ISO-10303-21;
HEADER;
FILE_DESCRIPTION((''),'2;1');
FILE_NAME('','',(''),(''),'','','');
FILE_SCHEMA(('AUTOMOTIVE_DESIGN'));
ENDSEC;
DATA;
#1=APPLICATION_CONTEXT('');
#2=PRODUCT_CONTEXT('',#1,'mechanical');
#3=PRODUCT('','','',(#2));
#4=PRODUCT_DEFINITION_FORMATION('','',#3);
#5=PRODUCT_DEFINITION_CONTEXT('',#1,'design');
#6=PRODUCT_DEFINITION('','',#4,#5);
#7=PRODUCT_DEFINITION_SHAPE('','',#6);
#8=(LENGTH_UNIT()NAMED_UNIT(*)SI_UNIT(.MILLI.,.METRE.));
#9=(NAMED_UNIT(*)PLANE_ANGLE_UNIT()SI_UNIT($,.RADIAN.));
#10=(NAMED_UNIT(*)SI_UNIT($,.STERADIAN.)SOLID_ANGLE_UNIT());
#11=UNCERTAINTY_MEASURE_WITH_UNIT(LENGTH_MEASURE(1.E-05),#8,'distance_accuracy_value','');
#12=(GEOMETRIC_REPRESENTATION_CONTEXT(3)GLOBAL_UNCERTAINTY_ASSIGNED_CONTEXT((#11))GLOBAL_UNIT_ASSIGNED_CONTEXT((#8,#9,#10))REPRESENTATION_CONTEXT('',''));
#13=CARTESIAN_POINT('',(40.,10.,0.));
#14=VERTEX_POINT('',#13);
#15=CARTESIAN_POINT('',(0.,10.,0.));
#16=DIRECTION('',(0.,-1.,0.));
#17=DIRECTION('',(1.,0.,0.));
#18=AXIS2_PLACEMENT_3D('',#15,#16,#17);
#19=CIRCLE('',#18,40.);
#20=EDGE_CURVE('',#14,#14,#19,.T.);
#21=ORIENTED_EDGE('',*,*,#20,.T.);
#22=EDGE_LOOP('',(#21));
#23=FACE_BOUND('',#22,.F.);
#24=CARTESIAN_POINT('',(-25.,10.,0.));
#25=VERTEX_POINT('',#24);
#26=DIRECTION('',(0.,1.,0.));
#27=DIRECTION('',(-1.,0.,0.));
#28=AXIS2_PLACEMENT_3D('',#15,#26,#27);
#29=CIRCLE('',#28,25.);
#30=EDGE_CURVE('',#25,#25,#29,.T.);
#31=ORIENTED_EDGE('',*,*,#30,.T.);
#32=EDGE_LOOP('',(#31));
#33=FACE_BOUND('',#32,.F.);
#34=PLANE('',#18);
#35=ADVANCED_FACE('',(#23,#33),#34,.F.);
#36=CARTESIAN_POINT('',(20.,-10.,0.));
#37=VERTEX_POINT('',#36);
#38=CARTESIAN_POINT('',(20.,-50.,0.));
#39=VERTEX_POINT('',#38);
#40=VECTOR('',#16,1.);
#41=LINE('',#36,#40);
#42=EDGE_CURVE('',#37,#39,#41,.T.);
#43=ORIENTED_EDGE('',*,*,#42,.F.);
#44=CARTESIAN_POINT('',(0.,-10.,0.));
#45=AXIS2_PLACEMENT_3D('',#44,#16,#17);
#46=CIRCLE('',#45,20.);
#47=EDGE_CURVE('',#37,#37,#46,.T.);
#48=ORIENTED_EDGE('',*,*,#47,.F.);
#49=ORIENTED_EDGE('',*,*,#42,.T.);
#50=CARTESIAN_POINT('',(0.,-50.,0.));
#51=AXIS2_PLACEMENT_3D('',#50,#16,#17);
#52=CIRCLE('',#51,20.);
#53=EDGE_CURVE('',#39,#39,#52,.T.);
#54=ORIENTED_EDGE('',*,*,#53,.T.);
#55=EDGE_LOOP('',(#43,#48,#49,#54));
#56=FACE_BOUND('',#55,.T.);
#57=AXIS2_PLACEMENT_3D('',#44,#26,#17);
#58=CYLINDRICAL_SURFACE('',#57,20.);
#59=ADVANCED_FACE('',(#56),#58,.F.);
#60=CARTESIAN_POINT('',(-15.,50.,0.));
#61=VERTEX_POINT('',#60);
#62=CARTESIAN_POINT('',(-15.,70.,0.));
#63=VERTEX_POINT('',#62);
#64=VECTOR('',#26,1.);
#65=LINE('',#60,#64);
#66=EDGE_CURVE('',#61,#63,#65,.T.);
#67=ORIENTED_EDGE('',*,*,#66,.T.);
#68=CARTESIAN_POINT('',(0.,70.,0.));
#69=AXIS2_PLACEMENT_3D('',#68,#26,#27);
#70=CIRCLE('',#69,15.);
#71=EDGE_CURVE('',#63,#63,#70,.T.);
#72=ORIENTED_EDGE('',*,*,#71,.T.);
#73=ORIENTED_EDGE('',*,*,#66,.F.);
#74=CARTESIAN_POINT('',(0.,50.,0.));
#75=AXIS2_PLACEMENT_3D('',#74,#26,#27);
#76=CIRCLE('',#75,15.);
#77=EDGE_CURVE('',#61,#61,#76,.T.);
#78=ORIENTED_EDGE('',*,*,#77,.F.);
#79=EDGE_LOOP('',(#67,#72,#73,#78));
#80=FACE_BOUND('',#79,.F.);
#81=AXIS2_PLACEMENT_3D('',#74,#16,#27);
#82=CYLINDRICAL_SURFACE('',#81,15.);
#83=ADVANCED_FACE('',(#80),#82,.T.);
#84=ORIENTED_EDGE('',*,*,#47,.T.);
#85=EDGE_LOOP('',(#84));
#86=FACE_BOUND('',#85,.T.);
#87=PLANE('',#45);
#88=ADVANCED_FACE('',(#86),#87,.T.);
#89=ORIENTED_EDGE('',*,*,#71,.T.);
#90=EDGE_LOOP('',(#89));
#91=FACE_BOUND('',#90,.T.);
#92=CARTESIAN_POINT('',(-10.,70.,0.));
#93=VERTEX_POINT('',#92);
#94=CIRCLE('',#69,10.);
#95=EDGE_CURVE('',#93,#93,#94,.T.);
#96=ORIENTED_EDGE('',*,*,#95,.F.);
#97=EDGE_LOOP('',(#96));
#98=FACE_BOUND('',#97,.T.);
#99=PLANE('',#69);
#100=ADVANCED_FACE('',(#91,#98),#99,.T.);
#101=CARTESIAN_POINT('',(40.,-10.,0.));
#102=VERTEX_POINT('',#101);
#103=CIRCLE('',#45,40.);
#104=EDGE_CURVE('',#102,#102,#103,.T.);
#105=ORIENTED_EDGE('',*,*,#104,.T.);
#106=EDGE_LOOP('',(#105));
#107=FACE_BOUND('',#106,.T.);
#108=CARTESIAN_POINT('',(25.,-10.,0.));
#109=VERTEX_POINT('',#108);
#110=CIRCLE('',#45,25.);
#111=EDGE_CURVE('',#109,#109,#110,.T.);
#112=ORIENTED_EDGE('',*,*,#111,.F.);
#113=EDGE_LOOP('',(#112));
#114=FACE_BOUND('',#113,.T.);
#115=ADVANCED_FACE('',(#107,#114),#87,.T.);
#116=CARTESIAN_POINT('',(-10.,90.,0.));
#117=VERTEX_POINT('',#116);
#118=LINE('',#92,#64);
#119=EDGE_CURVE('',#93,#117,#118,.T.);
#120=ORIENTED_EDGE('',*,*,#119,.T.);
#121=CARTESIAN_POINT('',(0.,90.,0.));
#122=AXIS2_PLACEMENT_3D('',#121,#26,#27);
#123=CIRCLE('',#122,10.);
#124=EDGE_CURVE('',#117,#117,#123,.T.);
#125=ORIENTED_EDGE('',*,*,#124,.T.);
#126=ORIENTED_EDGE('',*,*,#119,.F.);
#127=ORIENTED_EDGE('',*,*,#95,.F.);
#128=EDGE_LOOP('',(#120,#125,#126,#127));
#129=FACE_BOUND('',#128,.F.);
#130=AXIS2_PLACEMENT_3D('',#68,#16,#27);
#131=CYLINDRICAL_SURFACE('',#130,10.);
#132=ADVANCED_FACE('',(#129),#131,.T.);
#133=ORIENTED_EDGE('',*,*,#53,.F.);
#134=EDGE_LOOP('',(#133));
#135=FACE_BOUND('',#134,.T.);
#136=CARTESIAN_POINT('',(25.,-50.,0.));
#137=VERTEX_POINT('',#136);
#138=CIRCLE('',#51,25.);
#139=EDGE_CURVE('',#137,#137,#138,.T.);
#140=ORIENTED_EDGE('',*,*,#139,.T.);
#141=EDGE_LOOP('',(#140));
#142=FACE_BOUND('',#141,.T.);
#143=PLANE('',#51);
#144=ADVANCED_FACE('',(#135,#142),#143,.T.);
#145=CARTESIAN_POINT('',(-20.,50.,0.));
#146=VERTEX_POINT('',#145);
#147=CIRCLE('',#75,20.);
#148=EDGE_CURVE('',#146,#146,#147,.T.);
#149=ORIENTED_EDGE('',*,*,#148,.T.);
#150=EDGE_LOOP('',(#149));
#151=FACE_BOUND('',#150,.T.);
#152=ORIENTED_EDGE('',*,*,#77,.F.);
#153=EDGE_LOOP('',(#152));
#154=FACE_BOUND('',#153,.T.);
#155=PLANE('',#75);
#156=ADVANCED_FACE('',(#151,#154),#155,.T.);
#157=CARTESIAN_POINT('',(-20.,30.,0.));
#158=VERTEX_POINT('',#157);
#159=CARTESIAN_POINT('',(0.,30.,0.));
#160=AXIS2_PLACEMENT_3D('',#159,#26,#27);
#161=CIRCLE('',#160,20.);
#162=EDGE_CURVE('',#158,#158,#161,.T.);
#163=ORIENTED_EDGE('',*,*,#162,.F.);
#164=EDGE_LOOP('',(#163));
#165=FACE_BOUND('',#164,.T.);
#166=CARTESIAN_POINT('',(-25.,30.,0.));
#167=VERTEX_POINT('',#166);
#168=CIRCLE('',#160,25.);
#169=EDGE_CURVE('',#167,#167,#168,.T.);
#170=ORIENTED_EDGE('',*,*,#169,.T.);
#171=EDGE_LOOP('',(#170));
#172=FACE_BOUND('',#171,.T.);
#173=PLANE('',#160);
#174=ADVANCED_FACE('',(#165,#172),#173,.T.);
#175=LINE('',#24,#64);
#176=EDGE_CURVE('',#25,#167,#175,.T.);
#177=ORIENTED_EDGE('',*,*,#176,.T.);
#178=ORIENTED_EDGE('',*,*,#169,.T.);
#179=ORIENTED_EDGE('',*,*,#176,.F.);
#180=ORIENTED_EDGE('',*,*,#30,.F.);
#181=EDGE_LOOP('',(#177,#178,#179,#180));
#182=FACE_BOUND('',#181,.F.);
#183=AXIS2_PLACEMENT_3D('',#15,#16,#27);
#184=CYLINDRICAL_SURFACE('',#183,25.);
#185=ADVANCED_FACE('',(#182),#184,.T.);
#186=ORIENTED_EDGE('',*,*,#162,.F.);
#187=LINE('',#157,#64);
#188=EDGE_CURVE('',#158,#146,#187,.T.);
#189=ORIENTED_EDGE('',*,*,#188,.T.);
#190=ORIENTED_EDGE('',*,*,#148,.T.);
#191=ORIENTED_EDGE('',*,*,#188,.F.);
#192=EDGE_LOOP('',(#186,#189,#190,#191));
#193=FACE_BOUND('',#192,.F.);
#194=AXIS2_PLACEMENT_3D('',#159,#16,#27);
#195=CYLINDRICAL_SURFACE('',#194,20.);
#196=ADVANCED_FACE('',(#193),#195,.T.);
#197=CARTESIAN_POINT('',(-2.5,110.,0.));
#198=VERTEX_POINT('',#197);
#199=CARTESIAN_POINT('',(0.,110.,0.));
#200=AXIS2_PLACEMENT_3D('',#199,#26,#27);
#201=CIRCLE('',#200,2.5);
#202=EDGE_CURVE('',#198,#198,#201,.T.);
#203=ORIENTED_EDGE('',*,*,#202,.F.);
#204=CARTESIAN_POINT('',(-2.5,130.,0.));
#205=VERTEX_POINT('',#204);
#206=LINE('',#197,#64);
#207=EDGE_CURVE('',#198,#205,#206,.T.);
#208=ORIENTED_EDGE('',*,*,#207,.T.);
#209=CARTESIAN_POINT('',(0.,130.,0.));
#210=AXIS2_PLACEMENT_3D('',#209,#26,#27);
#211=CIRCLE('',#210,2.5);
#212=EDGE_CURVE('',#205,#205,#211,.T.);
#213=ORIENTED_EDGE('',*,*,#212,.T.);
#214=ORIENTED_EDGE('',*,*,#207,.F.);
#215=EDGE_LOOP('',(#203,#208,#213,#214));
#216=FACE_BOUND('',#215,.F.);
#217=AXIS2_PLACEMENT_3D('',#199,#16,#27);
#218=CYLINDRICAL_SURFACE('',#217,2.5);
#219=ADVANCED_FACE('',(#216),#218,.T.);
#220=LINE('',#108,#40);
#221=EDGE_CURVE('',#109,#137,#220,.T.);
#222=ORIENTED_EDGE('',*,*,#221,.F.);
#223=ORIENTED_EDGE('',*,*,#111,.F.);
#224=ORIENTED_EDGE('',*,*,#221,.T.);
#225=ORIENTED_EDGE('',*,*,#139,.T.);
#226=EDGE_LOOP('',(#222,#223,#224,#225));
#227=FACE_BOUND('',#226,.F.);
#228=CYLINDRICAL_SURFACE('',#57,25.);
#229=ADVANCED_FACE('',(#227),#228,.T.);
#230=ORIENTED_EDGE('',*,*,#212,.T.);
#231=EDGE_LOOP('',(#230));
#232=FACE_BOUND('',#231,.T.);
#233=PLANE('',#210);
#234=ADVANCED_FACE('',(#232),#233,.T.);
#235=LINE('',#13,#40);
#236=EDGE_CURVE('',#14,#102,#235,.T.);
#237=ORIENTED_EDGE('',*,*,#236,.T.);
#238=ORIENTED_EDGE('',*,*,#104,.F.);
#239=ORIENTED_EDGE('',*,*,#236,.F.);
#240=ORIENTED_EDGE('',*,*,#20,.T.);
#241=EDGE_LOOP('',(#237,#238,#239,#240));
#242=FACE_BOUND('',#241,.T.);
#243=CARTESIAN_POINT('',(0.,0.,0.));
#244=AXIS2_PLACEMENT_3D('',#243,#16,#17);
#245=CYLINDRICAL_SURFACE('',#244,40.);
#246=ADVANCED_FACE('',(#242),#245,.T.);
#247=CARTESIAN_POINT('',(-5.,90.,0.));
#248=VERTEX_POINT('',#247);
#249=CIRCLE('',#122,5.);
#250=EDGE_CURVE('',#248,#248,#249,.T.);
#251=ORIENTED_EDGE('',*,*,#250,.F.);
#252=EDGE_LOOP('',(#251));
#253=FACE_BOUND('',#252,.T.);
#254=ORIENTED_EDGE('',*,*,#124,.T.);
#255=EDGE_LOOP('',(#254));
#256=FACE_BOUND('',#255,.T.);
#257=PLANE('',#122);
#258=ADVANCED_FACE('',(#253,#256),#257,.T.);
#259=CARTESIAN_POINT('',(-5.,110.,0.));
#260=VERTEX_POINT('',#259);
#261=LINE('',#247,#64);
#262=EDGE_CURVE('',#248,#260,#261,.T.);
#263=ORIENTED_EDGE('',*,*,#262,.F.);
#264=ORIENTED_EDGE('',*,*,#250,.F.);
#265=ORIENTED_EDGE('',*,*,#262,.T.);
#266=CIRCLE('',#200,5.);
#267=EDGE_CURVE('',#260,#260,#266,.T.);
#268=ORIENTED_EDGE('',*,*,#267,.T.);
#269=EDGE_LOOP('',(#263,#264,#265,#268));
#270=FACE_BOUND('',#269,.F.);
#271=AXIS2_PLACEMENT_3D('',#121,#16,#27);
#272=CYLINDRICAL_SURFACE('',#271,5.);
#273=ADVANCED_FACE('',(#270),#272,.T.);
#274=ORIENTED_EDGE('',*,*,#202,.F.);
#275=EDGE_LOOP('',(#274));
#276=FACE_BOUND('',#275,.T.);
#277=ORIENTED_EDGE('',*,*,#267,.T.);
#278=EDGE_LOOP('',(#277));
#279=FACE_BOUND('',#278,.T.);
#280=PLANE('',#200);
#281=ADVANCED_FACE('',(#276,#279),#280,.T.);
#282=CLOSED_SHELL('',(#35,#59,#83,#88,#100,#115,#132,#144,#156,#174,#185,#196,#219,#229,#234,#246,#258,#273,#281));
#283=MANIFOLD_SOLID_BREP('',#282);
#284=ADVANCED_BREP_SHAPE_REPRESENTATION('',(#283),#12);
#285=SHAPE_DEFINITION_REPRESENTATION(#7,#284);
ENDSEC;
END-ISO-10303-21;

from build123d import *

# Parameters (mm, degrees)
F0_R      = 40
F1_DEPTH  = 10
F2_R      = 25
F3_DEPTH  = 20
F4_R      = 20
F5_DEPTH  = 20
F6_R      = 15
F7_DEPTH  = 20
F8_R      = 10
F9_DEPTH  = 20
F10_R     = 5
F11_DEPTH = 20
F12_R     = 2.5
F13_DEPTH = 20
F14_R     = 25
F14_R_2   = 20
F15_DEPTH = 40


with BuildPart() as f1:
    # F0 (on Front) → F1 (new body, symmetric)
    with BuildSketch(Plane.XZ):
        Circle(F0_R)
    extrude(amount=F1_DEPTH, both=True)

    # F2 (on face) → F3 (join)
    with BuildSketch(Plane(origin=(0, 10, 0), x_dir=(-1, 0, 0), z_dir=(0, 1, 0))):
        Circle(F2_R)
    extrude(amount=F3_DEPTH)

    # F4 (on face) → F5 (join)
    with BuildSketch(Plane(origin=(0, 30, 0), x_dir=(-1, 0, 0), z_dir=(0, 1, 0))):
        Circle(F4_R)
    extrude(amount=F5_DEPTH)

    # F6 (on face) → F7 (join)
    with BuildSketch(Plane(origin=(0, 50, 0), x_dir=(-1, 0, 0), z_dir=(0, 1, 0))):
        Circle(F6_R)
    extrude(amount=F7_DEPTH)

    # F8 (on face) → F9 (join)
    with BuildSketch(Plane(origin=(0, 70, 0), x_dir=(-1, 0, 0), z_dir=(0, 1, 0))):
        Circle(F8_R)
    extrude(amount=F9_DEPTH)

    # F10 (on face) → F11 (join)
    with BuildSketch(Plane(origin=(0, 90, 0), x_dir=(-1, 0, 0), z_dir=(0, 1, 0))):
        Circle(F10_R)
    extrude(amount=F11_DEPTH)

    # F12 (on face) → F13 (join)
    with BuildSketch(Plane(origin=(0, 110, 0), x_dir=(-1, 0, 0), z_dir=(0, 1, 0))):
        Circle(F12_R)
    extrude(amount=F13_DEPTH)

    # F14 (on face) → F15 (join)
    with BuildSketch(Plane.XZ.offset(10)):
        Circle(F14_R)
        Circle(F14_R_2, mode=Mode.SUBTRACT)
    extrude(amount=F15_DEPTH)


solid = f1.part
